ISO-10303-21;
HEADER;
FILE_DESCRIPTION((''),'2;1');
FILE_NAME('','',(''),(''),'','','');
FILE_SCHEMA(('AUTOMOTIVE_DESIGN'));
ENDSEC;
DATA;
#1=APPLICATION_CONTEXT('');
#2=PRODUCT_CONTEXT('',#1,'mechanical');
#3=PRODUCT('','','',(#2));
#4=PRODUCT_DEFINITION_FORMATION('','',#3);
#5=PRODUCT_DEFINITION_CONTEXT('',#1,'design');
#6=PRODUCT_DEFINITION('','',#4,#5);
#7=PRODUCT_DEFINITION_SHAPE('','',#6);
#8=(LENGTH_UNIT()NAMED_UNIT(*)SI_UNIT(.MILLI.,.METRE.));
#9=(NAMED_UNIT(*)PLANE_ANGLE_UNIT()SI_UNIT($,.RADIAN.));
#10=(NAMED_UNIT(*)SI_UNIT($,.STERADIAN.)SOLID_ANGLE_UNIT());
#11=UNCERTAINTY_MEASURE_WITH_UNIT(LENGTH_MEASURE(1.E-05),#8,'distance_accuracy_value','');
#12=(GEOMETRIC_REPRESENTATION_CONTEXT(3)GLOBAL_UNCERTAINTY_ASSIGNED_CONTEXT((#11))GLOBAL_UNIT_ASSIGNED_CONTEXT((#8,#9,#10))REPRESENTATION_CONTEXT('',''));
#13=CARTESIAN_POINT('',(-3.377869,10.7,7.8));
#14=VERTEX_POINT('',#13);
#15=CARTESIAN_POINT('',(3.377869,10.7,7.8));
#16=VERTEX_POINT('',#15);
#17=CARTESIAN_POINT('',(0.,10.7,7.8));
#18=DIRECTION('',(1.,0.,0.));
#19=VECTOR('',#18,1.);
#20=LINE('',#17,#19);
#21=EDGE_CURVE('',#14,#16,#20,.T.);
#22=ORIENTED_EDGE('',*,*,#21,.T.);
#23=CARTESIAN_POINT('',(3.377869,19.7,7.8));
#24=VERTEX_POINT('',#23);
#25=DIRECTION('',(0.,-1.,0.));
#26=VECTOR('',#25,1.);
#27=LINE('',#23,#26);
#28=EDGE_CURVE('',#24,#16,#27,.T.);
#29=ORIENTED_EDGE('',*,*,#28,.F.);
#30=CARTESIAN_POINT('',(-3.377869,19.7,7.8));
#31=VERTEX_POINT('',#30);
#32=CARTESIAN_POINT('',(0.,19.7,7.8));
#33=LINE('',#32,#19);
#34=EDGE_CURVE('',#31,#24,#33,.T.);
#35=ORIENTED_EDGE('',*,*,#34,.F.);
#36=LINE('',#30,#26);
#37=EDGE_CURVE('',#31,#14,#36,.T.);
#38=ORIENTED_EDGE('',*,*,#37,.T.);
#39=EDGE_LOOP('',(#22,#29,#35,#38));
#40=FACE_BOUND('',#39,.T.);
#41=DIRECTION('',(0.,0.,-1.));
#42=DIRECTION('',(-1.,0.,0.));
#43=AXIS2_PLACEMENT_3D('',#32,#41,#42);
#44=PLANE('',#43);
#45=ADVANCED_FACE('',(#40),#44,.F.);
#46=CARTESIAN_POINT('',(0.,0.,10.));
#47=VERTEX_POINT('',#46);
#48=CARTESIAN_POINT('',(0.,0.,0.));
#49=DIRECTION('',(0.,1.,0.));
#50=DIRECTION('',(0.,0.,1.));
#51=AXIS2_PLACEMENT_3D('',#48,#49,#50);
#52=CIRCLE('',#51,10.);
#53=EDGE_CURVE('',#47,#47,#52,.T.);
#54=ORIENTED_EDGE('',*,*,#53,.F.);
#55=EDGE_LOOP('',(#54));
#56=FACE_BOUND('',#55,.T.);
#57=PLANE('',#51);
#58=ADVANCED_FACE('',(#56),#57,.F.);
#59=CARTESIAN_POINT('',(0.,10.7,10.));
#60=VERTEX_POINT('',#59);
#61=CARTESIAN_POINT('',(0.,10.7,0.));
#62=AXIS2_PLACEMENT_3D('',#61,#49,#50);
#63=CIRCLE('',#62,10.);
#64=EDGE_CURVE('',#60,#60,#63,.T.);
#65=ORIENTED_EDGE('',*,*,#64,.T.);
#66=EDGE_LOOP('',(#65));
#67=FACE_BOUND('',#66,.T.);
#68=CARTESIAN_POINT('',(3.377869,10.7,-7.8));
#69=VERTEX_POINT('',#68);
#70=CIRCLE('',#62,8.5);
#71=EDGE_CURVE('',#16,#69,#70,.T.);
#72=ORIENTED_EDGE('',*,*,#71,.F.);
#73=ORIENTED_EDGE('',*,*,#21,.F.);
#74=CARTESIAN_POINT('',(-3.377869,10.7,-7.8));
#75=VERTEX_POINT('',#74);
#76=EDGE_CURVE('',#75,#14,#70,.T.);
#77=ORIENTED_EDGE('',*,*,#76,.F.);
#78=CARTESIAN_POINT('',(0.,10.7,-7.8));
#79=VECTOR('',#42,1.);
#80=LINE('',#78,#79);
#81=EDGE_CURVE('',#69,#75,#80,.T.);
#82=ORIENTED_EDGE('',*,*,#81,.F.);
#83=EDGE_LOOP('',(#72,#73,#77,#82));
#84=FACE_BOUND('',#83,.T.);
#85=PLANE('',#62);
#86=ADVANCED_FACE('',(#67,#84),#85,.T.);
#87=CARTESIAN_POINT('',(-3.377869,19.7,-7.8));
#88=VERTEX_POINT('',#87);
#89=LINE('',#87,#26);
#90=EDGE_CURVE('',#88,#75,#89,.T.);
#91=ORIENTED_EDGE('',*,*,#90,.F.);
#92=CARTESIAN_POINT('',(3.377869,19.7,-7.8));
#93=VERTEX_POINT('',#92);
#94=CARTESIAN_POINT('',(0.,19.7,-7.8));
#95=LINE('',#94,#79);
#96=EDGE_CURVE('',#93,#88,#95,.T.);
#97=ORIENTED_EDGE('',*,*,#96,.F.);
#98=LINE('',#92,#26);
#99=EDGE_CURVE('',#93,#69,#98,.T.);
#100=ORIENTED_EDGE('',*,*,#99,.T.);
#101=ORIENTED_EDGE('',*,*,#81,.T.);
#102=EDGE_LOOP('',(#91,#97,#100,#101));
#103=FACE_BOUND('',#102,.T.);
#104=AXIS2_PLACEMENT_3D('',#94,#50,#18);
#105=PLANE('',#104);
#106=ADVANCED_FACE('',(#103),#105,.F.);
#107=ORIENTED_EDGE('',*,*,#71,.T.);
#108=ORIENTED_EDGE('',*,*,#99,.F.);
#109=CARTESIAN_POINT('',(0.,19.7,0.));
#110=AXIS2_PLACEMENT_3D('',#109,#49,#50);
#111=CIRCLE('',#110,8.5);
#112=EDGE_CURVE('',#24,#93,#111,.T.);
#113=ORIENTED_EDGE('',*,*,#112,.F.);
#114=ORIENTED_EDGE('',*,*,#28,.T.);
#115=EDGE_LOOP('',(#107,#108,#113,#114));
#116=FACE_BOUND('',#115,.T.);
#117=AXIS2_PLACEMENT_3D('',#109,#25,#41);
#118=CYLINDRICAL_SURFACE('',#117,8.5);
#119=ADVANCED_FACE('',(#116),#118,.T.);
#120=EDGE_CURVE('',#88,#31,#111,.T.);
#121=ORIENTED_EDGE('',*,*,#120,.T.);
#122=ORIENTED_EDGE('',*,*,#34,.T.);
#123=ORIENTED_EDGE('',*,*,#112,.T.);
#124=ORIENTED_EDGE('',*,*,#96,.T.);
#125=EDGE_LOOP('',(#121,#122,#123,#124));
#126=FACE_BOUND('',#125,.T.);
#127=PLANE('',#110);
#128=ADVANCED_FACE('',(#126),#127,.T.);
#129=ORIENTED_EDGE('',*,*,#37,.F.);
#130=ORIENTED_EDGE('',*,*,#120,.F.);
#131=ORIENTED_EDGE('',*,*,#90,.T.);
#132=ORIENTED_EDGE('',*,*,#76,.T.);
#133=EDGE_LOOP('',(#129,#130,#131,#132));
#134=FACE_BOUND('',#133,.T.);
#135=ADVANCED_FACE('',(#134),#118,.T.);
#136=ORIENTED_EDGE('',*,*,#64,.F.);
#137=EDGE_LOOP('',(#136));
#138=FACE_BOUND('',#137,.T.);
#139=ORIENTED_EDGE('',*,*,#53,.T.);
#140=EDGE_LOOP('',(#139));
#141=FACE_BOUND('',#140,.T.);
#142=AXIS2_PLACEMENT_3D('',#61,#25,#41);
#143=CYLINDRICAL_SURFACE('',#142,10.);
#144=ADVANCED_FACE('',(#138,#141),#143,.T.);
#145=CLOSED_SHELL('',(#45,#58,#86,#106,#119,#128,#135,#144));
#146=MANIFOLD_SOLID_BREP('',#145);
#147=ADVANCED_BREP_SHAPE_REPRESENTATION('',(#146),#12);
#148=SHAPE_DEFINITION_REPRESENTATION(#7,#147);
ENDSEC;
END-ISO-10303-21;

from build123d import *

# Parameters (mm, degrees)
SKETCH1_R           = 10
BOSS_EXTRUDE1_DEPTH = 10.7
BOSS_EXTRUDE2_DEPTH = 9


with BuildPart() as part:
    # Sketch1 → Boss-Extrude1 (new body)
    with BuildSketch(Plane(origin=(0, 0, 0), x_dir=(1, 0, 0), z_dir=(0, 1, 0))):
        with Locations(Location((0, 0, 0), (0, 0, 270))):
            Circle(SKETCH1_R)
    extrude(amount=BOSS_EXTRUDE1_DEPTH)

    # Sketch2 → Boss-Extrude2 (add)
    with BuildSketch(Plane(origin=(0, 10.7, 0), x_dir=(1, 0, 0), z_dir=(0, 1, 0))):
        with BuildLine():
            ThreePointArc((-3.377869151, 7.8), (-8.5, 0), (-3.377869151, -7.8))
            Line((-3.377869151, -7.8), (3.377869151, -7.8))
            ThreePointArc((3.377869151, -7.8), (8.5, 0), (3.377869151, 7.8))
            Line((3.377869151, 7.8), (-3.377869151, 7.8))
        make_face()
    extrude(amount=BOSS_EXTRUDE2_DEPTH)


solid = part.part
